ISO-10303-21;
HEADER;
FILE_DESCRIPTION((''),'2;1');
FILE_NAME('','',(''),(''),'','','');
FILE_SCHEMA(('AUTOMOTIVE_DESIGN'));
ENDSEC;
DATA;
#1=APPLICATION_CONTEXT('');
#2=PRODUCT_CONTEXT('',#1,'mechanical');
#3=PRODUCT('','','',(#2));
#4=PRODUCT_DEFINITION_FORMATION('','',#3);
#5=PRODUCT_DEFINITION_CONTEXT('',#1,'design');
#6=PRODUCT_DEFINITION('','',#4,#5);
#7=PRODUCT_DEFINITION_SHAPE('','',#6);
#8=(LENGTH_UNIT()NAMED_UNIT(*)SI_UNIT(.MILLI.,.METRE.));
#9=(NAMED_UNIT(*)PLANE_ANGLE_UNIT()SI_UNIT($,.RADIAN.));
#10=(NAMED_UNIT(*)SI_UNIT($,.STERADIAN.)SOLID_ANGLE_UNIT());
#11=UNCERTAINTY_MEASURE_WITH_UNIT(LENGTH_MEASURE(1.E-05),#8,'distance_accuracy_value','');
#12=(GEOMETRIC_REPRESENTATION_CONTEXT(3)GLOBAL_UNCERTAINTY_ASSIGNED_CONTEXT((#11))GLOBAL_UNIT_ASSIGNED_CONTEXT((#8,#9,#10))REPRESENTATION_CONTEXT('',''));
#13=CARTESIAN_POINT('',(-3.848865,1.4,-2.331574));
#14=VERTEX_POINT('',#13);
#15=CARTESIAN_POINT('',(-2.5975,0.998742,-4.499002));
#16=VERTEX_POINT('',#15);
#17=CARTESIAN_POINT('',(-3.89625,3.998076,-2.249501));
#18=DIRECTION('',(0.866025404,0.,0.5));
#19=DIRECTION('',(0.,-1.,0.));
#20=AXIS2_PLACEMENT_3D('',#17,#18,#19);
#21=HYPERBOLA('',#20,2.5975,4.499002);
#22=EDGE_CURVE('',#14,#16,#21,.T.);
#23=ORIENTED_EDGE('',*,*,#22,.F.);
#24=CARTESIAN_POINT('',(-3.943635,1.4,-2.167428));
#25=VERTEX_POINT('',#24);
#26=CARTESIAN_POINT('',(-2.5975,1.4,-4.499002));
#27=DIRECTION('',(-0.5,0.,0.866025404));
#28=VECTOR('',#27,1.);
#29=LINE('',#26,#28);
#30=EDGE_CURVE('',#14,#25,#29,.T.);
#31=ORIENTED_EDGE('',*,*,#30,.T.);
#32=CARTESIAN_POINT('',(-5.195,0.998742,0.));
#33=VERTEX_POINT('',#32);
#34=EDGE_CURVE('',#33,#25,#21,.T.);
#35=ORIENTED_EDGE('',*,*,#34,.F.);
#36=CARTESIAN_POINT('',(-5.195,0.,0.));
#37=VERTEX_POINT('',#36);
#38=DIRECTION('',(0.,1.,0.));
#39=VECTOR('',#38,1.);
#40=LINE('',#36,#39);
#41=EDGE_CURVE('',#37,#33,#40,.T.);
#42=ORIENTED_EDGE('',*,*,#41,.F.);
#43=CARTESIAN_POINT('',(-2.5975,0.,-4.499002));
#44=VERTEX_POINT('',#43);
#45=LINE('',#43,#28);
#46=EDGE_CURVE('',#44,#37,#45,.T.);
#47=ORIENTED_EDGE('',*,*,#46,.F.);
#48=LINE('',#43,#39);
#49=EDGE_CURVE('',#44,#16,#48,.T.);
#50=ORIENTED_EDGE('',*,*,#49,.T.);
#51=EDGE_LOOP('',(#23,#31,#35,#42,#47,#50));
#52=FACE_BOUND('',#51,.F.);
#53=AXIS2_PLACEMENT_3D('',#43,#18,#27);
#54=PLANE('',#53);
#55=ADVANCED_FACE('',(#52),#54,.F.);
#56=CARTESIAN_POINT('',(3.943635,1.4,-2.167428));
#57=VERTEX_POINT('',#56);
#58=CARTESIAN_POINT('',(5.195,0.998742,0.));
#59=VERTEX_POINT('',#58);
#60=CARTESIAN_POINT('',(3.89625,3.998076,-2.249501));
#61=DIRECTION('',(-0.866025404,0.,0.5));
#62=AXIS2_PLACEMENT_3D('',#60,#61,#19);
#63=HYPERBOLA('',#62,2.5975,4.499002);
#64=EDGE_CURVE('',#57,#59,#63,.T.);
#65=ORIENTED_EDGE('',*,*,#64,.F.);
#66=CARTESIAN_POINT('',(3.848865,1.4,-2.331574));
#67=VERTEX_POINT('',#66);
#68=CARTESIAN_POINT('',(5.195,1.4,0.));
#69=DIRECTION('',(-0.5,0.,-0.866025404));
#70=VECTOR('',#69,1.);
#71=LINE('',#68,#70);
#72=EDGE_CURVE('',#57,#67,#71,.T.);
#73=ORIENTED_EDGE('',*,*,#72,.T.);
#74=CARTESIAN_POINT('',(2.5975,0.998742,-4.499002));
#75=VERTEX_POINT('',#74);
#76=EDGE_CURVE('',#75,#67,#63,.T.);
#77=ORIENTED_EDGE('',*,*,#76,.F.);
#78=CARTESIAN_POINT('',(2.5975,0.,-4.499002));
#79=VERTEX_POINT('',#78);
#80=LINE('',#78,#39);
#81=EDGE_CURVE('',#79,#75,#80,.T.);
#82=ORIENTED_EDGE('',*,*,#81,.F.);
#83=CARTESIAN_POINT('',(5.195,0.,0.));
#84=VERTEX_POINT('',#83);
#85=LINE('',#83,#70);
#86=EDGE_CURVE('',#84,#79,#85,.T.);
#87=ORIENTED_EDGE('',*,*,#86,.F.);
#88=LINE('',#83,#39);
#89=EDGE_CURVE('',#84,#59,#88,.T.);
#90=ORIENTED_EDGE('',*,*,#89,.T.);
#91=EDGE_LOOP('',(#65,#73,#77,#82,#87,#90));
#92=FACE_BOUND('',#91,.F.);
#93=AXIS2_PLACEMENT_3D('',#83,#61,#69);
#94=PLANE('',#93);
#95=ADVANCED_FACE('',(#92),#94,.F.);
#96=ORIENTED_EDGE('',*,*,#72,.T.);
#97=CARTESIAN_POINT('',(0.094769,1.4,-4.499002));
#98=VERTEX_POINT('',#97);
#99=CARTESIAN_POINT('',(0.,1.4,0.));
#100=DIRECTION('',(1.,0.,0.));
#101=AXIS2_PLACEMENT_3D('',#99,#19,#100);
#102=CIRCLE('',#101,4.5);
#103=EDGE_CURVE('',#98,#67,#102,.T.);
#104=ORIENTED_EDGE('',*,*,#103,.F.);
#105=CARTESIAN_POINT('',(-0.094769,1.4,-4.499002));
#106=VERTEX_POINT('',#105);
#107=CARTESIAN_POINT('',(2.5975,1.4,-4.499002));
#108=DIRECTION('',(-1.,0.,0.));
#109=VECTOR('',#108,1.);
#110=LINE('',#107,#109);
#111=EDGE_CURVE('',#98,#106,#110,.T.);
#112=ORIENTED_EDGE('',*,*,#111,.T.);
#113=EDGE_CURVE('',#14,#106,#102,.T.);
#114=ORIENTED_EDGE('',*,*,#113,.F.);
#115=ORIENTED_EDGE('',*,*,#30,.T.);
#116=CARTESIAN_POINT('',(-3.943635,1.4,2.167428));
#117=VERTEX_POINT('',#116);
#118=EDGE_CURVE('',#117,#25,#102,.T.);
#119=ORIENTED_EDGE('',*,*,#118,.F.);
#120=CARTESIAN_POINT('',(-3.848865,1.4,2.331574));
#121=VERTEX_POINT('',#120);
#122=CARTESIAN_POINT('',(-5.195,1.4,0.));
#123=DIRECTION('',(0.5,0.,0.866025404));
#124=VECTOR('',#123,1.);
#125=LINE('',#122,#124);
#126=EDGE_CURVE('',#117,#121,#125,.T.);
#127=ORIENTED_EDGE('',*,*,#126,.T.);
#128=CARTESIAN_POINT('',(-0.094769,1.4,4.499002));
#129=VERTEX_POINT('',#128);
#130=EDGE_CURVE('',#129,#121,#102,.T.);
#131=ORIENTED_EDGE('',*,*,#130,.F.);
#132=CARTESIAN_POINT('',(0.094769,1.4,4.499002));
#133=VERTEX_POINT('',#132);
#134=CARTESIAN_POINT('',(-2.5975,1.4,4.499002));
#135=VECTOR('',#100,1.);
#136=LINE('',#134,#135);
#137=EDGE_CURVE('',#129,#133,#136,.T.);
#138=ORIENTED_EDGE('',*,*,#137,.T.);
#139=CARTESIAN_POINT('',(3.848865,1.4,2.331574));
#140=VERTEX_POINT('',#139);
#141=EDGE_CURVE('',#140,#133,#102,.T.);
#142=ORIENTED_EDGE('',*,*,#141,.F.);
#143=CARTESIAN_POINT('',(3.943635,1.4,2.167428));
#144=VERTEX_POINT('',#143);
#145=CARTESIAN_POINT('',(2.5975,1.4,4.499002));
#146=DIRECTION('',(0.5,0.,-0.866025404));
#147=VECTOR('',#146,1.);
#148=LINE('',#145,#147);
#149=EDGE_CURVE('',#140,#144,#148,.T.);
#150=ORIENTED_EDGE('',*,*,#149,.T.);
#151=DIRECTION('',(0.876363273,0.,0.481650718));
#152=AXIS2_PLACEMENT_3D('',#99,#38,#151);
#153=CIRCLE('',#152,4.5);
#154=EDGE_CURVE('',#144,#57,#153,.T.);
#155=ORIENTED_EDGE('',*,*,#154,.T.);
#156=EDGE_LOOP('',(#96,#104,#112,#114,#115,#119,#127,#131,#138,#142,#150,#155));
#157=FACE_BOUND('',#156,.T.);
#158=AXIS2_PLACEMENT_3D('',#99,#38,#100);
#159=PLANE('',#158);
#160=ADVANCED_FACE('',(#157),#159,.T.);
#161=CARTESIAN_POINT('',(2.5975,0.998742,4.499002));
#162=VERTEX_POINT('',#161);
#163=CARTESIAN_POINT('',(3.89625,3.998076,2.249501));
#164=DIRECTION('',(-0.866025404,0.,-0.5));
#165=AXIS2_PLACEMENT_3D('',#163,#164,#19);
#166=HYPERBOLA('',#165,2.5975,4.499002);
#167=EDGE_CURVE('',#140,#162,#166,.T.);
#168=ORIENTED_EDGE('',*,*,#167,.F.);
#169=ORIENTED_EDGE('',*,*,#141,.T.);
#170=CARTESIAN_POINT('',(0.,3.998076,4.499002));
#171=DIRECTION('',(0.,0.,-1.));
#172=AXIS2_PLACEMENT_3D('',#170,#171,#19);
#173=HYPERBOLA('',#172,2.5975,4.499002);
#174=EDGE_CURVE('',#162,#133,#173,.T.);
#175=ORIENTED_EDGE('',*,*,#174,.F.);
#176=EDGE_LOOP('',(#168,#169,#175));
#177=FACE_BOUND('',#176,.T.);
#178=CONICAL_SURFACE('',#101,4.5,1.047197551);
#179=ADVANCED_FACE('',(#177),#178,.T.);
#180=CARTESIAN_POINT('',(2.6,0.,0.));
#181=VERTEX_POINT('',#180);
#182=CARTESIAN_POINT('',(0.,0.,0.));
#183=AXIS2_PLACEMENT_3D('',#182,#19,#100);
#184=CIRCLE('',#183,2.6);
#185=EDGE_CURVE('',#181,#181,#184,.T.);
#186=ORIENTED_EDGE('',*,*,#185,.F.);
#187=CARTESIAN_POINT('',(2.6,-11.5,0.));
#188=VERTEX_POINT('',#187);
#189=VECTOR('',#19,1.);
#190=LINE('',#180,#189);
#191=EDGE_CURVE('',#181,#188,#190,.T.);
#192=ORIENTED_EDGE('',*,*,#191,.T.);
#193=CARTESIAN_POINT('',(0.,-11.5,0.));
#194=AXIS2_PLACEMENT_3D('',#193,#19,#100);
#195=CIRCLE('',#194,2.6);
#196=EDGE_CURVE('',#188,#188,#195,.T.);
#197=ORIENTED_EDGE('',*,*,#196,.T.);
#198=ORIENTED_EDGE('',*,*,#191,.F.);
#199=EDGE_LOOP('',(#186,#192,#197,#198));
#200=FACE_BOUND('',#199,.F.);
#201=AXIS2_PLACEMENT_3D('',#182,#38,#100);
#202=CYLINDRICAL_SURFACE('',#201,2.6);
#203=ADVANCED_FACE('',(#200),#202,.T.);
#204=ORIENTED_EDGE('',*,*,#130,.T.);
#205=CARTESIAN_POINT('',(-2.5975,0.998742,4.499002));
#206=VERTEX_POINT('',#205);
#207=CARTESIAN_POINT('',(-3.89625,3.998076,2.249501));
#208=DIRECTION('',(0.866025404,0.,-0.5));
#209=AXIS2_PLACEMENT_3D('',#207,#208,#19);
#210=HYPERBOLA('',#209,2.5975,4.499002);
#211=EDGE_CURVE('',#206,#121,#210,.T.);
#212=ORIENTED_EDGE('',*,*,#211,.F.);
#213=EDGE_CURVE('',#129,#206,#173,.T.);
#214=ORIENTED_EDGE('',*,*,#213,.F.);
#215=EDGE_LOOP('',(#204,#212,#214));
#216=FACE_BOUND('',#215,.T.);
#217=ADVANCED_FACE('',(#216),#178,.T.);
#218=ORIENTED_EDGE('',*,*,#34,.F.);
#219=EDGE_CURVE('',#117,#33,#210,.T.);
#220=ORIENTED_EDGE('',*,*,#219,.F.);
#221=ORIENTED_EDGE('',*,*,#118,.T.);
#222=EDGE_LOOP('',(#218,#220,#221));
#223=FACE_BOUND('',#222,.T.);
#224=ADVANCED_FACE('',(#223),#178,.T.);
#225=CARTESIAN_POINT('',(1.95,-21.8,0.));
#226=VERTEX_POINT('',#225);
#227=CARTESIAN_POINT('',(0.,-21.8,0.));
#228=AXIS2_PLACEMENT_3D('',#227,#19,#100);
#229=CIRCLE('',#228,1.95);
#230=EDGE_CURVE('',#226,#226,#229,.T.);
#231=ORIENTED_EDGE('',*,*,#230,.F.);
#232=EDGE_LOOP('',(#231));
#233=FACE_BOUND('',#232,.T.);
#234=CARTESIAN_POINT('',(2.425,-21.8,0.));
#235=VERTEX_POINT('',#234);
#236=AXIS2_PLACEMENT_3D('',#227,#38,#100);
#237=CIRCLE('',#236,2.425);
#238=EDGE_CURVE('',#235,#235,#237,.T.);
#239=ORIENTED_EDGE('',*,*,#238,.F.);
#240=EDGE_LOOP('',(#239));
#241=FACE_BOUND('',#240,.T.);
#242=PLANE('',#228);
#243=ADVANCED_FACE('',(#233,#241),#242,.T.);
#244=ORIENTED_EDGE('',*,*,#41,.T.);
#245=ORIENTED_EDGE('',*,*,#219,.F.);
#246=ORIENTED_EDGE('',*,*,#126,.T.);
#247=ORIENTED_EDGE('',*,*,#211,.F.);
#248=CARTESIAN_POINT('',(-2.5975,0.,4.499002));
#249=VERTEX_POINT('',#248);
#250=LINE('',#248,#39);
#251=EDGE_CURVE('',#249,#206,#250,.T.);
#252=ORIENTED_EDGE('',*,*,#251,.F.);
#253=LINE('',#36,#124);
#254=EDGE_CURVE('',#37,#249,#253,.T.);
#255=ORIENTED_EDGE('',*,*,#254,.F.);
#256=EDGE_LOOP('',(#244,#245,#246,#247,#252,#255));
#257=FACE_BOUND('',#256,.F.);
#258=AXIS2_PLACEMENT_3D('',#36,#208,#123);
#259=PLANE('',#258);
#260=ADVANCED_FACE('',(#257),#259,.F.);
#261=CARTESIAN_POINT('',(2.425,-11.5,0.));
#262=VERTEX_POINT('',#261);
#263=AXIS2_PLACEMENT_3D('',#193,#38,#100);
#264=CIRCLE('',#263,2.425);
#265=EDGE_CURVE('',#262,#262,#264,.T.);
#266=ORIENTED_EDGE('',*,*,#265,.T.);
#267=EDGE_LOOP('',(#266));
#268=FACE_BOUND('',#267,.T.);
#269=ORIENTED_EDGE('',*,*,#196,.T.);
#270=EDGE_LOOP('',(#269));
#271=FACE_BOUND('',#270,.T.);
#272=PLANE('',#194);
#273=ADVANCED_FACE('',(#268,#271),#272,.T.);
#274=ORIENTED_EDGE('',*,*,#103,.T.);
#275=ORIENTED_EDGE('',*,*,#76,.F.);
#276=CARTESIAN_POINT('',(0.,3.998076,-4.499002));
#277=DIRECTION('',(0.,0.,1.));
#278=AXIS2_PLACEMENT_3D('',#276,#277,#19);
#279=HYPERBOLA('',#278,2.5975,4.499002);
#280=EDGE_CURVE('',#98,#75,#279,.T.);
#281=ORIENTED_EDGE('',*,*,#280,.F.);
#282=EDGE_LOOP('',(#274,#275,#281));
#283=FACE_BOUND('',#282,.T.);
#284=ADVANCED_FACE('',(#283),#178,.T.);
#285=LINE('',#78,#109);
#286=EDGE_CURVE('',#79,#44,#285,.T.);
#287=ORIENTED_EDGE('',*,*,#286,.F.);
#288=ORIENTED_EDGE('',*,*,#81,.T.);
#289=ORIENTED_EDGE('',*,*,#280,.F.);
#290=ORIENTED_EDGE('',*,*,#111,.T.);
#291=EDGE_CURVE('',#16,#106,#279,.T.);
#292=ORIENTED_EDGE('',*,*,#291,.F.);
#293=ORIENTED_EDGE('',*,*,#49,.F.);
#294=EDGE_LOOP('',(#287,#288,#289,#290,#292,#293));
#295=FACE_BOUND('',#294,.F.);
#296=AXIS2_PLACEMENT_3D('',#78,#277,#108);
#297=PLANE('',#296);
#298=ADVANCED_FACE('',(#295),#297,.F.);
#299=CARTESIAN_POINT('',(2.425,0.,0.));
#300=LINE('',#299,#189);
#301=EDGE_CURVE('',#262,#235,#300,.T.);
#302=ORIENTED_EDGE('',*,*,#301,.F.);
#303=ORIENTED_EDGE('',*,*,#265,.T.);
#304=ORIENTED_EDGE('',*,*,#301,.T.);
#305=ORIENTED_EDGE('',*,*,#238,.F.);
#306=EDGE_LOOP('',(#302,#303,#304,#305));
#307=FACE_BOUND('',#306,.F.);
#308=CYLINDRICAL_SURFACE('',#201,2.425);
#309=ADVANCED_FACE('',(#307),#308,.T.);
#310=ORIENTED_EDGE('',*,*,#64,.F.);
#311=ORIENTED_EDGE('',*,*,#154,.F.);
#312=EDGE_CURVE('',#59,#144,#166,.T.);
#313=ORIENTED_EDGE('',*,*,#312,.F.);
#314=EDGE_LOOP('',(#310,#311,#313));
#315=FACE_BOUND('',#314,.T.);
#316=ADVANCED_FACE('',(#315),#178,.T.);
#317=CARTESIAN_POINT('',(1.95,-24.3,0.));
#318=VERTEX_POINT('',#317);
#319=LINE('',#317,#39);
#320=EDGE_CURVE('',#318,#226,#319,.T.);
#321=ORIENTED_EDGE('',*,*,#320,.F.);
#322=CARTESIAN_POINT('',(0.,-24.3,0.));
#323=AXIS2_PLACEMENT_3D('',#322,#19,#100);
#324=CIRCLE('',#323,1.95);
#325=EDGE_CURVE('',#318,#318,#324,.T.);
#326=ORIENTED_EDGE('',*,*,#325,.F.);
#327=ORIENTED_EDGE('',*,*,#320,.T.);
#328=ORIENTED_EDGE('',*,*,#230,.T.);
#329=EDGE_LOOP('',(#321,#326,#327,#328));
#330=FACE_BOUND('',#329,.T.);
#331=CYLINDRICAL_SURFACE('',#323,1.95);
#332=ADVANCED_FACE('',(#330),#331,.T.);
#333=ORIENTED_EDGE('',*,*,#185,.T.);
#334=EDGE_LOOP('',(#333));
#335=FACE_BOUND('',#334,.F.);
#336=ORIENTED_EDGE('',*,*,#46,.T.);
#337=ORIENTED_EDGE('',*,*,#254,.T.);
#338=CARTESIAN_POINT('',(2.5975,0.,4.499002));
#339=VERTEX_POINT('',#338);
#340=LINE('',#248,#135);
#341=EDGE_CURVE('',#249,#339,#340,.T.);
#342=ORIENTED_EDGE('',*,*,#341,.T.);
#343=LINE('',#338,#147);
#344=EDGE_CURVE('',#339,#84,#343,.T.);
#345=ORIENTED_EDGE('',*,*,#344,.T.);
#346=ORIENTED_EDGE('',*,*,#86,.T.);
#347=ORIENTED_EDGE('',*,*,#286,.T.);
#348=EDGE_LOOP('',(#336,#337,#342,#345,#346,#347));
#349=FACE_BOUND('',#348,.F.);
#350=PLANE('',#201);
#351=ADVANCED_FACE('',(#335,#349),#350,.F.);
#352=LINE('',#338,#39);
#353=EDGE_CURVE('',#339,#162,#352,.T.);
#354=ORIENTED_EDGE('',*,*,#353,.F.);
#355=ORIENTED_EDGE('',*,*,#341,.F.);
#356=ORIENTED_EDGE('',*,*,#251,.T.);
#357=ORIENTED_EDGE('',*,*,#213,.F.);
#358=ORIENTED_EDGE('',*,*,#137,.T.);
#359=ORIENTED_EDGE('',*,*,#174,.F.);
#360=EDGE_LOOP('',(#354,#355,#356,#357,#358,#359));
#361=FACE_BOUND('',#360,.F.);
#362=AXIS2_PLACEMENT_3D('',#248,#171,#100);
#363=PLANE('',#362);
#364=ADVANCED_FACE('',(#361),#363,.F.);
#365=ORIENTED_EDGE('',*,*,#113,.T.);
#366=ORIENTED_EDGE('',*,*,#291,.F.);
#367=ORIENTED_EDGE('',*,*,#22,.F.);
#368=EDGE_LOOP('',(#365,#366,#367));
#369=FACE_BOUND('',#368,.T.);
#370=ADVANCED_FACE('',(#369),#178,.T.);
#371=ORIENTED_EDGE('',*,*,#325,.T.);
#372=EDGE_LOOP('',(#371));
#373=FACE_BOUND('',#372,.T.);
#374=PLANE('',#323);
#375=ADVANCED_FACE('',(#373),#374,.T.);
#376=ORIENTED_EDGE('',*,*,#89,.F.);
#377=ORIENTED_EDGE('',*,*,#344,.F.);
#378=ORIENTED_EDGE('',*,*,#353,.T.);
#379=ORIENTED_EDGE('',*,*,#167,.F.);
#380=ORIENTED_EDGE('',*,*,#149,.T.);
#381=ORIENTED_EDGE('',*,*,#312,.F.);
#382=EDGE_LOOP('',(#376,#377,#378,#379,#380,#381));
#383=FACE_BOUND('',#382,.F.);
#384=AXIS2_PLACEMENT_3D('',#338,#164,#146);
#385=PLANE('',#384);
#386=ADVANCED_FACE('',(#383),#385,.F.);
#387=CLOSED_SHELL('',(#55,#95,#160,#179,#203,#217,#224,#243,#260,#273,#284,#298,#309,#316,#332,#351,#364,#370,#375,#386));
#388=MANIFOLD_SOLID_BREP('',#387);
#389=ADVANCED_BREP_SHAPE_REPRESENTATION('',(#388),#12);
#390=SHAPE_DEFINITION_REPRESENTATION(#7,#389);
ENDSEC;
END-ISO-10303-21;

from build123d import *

# Parameters (mm, degrees)
BOSS_EXTRUDE1_DEPTH = 1.4
SKETCH2_OUTSIDE_W   = 18.618
SKETCH2_OUTSIDE_H   = 17.226
SKETCH2_OUTSIDE_R   = 4.5
CUT_EXTRUDE1_DEPTH  = 1
CUT_EXTRUDE1_TAPER  = 60
SKETCH3_R           = 2.425
BOSS_EXTRUDE2_DEPTH = 24.3
SKETCH4_OUTSIDE_W   = 18.218
SKETCH4_OUTSIDE_H   = 16.826
SKETCH4_OUTSIDE_R   = 1.95
CUT_EXTRUDE2_DEPTH  = 2.5
SKETCH5_R           = 2.6
BOSS_EXTRUDE3_DEPTH = 11.5


with BuildPart() as part:
    # Sketch1 → Boss-Extrude1 (new body)
    with BuildSketch(Plane(origin=(0, 0, 0), x_dir=(1, 0, 0), z_dir=(0, 1, 0))):
        Polygon((5.195, 0), (2.5975, 4.499001973), (-2.5975, 4.499001973), (-5.195, 0), (-2.5975, -4.499001973), (2.5975, -4.499001973), align=None)
    extrude(amount=BOSS_EXTRUDE1_DEPTH)

    # Sketch2 outside → Cut-Extrude1 (cut)
    with BuildSketch(Plane(origin=(0, 1.4, 0), x_dir=(1, 0, 0), z_dir=(0, 1, 0))):
        Rectangle(SKETCH2_OUTSIDE_W, SKETCH2_OUTSIDE_H)
        Circle(SKETCH2_OUTSIDE_R, mode=Mode.SUBTRACT)
    extrude(amount=-CUT_EXTRUDE1_DEPTH, taper=CUT_EXTRUDE1_TAPER, mode=Mode.SUBTRACT)

    # Sketch3 → Boss-Extrude2 (add)
    with BuildSketch(Plane.XZ):
        Circle(SKETCH3_R)
    extrude(amount=BOSS_EXTRUDE2_DEPTH)

    # Sketch4 outside → Cut-Extrude2 (cut)
    with BuildSketch(Plane.XZ.offset(24.3)):
        Rectangle(SKETCH4_OUTSIDE_W, SKETCH4_OUTSIDE_H)
        Circle(SKETCH4_OUTSIDE_R, mode=Mode.SUBTRACT)
    extrude(amount=-CUT_EXTRUDE2_DEPTH, mode=Mode.SUBTRACT)

    # Sketch5 → Boss-Extrude3 (add)
    with BuildSketch(Plane.XZ):
        Circle(SKETCH5_R)
    extrude(amount=BOSS_EXTRUDE3_DEPTH)


solid = part.part
